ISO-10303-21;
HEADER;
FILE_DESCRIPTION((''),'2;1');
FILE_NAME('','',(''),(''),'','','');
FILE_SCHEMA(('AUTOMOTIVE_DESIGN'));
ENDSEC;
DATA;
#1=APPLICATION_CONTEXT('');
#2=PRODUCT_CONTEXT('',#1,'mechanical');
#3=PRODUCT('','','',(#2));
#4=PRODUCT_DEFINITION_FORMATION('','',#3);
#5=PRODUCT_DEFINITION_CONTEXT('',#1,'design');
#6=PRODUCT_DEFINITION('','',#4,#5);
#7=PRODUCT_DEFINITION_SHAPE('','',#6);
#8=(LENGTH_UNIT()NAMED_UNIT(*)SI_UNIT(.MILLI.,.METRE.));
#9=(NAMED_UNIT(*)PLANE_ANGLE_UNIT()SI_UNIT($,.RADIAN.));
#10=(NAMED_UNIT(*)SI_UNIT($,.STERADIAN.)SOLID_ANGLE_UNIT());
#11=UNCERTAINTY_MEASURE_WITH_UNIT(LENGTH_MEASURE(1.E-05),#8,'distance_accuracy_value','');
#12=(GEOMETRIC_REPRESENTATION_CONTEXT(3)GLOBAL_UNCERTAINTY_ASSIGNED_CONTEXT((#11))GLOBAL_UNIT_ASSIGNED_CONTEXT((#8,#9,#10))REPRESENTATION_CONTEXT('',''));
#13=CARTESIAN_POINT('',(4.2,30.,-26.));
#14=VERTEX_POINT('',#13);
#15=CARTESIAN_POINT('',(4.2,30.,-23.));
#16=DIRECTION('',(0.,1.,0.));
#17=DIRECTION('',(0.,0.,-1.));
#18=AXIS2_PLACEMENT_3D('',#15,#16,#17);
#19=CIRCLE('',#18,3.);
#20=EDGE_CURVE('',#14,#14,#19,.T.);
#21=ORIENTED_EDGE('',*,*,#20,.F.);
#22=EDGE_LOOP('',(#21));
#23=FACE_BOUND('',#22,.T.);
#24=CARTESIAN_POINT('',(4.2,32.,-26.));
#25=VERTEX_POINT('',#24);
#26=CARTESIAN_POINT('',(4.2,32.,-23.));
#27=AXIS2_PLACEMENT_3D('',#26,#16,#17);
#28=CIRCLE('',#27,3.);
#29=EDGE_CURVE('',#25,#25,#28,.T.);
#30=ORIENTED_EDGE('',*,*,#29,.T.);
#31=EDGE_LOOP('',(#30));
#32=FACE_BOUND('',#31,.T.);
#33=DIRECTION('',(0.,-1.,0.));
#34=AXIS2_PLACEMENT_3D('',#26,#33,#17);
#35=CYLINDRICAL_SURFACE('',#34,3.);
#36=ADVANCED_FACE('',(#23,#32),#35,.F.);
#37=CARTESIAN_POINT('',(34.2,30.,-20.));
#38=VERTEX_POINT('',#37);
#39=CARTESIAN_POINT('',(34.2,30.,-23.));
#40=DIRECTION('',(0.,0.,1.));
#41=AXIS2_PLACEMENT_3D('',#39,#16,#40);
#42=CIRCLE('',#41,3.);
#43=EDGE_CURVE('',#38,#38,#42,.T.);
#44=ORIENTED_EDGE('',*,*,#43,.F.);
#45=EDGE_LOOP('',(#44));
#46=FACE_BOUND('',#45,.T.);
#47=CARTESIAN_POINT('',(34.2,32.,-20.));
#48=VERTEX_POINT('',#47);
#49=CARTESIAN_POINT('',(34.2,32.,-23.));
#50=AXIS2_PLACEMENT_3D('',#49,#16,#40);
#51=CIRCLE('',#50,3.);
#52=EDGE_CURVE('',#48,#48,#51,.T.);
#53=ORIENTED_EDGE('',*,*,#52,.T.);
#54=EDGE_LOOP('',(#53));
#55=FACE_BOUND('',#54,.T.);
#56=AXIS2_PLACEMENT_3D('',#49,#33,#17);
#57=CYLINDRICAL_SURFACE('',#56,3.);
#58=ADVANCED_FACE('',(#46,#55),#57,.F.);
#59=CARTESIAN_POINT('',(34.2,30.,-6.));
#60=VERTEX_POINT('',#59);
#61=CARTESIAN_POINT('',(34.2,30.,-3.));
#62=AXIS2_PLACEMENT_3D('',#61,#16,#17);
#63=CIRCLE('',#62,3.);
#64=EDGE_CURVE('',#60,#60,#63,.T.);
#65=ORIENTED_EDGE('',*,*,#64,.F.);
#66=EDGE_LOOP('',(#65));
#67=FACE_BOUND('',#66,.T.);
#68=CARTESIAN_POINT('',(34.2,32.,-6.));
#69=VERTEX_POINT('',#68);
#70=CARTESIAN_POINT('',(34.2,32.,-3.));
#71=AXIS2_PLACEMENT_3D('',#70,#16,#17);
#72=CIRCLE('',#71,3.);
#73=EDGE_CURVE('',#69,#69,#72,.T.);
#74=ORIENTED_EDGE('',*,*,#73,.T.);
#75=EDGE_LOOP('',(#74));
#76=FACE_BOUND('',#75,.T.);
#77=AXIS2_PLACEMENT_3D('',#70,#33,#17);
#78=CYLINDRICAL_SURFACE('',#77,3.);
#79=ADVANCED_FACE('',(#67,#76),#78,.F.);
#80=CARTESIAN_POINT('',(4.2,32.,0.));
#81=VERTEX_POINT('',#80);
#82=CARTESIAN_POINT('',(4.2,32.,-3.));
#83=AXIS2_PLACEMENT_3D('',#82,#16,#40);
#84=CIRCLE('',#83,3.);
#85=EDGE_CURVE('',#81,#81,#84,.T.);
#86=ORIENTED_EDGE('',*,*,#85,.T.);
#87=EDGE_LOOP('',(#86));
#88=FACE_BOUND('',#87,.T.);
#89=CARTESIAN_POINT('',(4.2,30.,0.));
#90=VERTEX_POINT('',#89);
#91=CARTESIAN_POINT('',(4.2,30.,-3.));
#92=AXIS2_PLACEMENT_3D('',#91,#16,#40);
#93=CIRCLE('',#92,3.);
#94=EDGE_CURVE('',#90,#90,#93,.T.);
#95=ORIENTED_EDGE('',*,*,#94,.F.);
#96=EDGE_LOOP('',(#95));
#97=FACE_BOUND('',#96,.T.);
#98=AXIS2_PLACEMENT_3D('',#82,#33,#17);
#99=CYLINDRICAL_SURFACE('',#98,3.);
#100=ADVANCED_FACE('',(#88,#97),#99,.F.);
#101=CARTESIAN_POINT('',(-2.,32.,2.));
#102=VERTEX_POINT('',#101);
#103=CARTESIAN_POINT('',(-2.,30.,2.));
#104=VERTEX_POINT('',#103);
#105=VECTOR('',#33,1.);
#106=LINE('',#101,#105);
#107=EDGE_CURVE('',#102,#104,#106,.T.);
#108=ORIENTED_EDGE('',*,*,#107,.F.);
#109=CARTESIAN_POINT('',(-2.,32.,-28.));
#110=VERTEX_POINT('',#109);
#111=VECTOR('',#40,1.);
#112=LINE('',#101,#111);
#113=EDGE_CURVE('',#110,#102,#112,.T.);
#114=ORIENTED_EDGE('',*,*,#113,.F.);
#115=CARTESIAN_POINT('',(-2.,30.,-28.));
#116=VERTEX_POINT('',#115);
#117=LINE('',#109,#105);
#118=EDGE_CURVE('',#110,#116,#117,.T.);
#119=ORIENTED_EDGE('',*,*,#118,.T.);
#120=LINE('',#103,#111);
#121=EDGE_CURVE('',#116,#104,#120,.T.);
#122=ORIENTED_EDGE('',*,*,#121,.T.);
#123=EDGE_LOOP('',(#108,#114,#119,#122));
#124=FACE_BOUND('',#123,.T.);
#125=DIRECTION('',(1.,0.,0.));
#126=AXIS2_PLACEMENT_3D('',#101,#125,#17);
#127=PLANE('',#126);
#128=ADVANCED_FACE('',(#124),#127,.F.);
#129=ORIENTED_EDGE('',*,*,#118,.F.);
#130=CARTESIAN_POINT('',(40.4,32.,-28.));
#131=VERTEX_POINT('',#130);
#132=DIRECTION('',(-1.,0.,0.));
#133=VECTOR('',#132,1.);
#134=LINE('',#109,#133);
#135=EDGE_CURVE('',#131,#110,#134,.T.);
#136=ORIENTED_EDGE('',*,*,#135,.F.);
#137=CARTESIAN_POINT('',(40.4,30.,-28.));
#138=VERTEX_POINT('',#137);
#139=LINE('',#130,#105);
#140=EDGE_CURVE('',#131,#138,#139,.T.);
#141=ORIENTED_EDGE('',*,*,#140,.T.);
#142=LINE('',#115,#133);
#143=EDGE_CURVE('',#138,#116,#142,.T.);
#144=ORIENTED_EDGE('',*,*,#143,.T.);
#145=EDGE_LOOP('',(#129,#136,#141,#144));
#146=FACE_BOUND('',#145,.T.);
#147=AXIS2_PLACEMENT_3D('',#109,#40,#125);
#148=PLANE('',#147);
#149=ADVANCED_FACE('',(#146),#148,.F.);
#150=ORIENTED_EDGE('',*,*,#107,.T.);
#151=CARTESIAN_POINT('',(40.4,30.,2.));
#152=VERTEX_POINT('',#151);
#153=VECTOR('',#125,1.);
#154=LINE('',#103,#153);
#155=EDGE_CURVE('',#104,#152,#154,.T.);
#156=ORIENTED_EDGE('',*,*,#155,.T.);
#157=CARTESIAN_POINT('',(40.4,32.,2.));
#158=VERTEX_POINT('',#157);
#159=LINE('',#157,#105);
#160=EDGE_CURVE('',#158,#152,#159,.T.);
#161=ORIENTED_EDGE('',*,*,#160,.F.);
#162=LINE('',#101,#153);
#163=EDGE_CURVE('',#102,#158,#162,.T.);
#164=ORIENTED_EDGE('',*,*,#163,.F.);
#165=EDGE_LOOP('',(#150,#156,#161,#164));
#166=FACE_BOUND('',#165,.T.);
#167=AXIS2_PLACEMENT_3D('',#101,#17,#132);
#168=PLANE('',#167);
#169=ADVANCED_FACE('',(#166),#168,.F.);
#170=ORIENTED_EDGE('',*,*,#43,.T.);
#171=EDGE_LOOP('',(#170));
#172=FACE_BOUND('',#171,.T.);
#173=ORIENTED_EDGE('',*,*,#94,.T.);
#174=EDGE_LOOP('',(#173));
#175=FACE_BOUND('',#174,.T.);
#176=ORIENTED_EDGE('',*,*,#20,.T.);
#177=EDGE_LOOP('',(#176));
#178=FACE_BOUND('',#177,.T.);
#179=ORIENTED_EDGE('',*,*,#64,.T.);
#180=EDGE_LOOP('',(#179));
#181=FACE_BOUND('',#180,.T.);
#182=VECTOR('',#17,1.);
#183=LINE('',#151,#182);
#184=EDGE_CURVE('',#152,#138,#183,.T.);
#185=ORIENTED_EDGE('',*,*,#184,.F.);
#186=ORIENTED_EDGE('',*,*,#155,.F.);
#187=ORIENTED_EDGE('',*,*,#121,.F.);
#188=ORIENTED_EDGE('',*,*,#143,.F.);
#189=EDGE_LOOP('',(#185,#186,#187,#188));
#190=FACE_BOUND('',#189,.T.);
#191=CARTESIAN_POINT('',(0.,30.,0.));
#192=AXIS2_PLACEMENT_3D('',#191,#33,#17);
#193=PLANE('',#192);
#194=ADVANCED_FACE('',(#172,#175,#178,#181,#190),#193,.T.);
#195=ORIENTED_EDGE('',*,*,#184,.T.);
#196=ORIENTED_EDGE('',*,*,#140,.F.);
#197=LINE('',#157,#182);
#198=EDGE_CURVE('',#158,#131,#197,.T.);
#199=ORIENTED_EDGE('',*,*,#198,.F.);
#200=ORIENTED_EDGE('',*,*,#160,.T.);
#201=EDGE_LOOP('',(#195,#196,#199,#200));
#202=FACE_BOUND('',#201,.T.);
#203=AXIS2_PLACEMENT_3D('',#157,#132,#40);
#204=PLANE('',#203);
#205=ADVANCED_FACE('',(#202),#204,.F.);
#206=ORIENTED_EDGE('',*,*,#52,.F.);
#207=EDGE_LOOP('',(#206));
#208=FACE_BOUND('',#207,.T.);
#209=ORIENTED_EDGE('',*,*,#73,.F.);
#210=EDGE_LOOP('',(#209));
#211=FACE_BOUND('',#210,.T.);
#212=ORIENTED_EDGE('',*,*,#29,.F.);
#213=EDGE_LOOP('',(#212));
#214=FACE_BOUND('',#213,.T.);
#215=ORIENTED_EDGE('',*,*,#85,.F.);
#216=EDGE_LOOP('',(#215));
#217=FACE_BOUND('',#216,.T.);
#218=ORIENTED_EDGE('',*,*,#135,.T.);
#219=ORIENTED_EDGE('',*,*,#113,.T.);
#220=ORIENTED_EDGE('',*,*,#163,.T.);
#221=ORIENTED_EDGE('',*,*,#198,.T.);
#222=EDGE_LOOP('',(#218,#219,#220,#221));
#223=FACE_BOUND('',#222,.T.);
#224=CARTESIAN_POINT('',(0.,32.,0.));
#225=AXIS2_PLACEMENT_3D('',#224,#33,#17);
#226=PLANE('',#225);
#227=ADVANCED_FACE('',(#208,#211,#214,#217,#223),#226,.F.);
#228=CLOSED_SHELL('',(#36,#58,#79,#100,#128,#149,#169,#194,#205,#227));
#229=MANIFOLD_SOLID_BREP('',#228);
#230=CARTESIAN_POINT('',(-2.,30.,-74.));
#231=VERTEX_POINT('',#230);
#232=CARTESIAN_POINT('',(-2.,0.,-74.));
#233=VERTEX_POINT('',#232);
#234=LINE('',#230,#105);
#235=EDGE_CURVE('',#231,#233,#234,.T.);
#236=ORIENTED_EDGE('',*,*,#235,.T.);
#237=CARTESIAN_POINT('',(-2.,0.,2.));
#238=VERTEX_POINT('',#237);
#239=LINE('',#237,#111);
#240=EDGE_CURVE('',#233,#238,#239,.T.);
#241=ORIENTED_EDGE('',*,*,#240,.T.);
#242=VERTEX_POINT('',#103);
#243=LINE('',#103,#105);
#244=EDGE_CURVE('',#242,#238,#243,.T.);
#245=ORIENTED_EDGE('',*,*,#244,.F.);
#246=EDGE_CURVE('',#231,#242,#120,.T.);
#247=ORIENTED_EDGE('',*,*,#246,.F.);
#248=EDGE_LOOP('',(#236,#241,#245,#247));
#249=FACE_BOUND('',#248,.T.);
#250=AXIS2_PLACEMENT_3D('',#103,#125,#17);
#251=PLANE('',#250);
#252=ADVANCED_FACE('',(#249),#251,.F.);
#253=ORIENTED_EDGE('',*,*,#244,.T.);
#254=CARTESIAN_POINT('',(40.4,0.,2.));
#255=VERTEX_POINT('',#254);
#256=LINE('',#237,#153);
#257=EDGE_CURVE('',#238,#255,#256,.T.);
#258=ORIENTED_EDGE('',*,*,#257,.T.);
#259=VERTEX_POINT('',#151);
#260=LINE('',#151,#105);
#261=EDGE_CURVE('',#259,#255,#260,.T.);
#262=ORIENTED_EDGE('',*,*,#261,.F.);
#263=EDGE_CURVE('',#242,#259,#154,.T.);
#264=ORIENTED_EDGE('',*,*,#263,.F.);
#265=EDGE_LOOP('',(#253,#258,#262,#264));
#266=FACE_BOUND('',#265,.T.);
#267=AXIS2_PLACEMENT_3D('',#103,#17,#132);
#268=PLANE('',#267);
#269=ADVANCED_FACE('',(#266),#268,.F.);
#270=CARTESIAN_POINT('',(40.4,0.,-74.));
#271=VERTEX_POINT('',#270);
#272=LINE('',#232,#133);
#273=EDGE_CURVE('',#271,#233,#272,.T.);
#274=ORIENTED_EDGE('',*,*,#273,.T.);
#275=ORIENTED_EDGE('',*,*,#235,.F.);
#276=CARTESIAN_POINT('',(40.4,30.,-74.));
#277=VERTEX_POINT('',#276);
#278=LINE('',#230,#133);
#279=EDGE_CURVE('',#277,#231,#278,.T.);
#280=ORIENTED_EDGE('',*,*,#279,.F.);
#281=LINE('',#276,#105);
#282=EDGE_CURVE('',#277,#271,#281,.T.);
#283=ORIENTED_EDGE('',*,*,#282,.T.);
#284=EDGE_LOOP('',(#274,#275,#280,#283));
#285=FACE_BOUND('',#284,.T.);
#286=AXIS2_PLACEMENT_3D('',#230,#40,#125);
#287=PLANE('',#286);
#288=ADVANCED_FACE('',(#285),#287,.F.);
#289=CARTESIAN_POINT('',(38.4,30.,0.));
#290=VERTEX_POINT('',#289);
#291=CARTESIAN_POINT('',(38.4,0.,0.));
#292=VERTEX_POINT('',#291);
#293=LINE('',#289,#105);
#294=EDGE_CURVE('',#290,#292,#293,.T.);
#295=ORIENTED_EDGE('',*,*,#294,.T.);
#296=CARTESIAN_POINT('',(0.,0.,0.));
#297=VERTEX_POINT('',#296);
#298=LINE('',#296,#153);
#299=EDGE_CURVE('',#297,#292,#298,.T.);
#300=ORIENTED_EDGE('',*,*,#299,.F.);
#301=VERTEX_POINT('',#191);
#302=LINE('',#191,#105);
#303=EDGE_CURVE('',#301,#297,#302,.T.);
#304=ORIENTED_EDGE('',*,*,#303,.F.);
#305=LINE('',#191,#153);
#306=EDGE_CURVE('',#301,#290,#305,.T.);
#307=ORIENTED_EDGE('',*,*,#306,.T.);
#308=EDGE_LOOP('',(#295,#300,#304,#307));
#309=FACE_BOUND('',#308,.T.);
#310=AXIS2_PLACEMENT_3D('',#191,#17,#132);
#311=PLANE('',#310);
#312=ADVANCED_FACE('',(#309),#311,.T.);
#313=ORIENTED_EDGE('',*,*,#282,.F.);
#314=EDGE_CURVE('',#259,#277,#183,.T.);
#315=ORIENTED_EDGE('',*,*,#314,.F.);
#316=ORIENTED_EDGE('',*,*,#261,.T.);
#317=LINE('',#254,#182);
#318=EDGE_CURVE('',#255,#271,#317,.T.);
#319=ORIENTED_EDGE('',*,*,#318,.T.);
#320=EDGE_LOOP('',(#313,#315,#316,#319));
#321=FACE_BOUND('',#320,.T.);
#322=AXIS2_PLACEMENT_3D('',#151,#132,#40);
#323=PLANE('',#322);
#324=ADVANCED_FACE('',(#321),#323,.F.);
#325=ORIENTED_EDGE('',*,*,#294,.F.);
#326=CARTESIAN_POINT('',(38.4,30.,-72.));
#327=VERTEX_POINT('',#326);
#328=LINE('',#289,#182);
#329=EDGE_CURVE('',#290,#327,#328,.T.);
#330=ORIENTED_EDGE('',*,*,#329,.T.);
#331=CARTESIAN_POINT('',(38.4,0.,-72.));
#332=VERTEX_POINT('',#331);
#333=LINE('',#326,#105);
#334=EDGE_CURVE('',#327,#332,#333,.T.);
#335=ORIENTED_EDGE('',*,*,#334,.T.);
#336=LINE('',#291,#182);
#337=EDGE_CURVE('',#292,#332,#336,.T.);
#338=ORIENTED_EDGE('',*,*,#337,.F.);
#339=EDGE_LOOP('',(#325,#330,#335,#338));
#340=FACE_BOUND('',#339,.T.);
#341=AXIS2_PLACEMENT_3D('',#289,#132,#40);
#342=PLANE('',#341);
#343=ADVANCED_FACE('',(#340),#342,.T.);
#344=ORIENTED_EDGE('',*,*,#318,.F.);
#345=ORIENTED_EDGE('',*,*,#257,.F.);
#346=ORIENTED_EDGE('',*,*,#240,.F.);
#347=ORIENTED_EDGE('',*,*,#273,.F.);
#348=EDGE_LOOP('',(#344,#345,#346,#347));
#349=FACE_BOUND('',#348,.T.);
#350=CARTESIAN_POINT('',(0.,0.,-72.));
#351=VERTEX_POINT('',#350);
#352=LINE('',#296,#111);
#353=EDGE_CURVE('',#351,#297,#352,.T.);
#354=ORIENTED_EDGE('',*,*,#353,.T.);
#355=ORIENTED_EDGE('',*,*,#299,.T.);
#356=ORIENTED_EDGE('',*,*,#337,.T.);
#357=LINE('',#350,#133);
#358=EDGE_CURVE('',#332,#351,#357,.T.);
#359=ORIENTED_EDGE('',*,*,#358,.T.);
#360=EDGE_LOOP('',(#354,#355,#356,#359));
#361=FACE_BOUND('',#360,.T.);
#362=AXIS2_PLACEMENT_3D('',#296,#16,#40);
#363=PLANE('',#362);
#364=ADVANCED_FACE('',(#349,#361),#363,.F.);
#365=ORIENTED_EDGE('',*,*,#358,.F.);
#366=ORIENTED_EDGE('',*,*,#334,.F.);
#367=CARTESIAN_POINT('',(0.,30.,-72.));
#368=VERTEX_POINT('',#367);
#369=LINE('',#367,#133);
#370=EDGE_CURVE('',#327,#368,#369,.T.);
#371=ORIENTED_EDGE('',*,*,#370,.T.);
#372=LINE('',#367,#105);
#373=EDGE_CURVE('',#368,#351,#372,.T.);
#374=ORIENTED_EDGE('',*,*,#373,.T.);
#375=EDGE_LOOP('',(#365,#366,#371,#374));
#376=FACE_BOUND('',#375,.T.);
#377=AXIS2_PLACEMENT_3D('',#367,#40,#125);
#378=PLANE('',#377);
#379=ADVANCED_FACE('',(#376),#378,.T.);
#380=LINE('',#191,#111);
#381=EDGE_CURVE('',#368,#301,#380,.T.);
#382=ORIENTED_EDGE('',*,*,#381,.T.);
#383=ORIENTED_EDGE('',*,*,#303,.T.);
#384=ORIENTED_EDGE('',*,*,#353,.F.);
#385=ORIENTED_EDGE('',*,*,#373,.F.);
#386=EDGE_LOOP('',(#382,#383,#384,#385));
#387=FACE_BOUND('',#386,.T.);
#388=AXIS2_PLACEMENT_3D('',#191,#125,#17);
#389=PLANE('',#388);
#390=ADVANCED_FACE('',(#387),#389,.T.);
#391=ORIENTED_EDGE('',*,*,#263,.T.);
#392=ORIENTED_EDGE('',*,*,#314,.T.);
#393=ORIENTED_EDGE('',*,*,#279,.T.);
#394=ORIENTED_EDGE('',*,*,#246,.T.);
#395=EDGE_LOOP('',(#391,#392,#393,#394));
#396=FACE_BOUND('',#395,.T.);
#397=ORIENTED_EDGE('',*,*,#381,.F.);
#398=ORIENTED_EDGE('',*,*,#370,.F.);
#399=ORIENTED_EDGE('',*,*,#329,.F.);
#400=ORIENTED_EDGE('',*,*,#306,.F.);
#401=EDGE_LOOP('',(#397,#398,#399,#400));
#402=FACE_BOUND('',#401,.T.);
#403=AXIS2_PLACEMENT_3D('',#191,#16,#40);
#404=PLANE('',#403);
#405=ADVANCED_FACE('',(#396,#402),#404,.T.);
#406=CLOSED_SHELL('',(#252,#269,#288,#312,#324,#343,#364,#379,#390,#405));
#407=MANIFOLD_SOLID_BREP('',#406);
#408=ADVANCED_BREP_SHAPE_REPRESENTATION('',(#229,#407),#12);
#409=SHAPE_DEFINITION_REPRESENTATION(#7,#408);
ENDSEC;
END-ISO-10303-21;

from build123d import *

# Parameters (mm, degrees)
SKETCH2_W           = 42.4
SKETCH2_H           = 76
SKETCH2_W_2         = 38.4
SKETCH2_H_2         = 72
BOSS_EXTRUDE4_DEPTH = 30
SKETCH1_W           = 42.4
SKETCH1_H           = 30
SKETCH1_R           = 3
BOSS_EXTRUDE1_DEPTH = 2


with BuildPart() as part:
    # Sketch2 → Boss-Extrude4 (new body)
    with BuildSketch(Plane(origin=(0, 0, 0), x_dir=(1, 0, 0), z_dir=(0, 1, 0))):
        with Locations((19.2, 36)):
            Rectangle(SKETCH2_W, SKETCH2_H)
        with Locations((19.2, 36)):
            Rectangle(SKETCH2_W_2, SKETCH2_H_2, mode=Mode.SUBTRACT)
    extrude(amount=BOSS_EXTRUDE4_DEPTH)


with BuildPart() as body_2:
    # Sketch1 → Boss-Extrude1 (new body)
    with BuildSketch(Plane(origin=(0, 30, 0), x_dir=(1, 0, 0), z_dir=(0, 1, 0))):
        with Locations((19.2, 13)):
            Rectangle(SKETCH1_W, SKETCH1_H)
        with Locations(Location((4.2, 3, 0), (0, 0, 270))):
            Circle(SKETCH1_R, mode=Mode.SUBTRACT)
        with Locations(Location((34.2, 3, 0), (0, 0, 90))):
            Circle(SKETCH1_R, mode=Mode.SUBTRACT)
        with Locations(Location((34.2, 23, 0), (0, 0, 270))):
            Circle(SKETCH1_R, mode=Mode.SUBTRACT)
        with Locations(Location((4.2, 23, 0), (0, 0, 90))):
            Circle(SKETCH1_R, mode=Mode.SUBTRACT)
    extrude(amount=BOSS_EXTRUDE1_DEPTH)


solid = Compound([part.part, body_2.part])
